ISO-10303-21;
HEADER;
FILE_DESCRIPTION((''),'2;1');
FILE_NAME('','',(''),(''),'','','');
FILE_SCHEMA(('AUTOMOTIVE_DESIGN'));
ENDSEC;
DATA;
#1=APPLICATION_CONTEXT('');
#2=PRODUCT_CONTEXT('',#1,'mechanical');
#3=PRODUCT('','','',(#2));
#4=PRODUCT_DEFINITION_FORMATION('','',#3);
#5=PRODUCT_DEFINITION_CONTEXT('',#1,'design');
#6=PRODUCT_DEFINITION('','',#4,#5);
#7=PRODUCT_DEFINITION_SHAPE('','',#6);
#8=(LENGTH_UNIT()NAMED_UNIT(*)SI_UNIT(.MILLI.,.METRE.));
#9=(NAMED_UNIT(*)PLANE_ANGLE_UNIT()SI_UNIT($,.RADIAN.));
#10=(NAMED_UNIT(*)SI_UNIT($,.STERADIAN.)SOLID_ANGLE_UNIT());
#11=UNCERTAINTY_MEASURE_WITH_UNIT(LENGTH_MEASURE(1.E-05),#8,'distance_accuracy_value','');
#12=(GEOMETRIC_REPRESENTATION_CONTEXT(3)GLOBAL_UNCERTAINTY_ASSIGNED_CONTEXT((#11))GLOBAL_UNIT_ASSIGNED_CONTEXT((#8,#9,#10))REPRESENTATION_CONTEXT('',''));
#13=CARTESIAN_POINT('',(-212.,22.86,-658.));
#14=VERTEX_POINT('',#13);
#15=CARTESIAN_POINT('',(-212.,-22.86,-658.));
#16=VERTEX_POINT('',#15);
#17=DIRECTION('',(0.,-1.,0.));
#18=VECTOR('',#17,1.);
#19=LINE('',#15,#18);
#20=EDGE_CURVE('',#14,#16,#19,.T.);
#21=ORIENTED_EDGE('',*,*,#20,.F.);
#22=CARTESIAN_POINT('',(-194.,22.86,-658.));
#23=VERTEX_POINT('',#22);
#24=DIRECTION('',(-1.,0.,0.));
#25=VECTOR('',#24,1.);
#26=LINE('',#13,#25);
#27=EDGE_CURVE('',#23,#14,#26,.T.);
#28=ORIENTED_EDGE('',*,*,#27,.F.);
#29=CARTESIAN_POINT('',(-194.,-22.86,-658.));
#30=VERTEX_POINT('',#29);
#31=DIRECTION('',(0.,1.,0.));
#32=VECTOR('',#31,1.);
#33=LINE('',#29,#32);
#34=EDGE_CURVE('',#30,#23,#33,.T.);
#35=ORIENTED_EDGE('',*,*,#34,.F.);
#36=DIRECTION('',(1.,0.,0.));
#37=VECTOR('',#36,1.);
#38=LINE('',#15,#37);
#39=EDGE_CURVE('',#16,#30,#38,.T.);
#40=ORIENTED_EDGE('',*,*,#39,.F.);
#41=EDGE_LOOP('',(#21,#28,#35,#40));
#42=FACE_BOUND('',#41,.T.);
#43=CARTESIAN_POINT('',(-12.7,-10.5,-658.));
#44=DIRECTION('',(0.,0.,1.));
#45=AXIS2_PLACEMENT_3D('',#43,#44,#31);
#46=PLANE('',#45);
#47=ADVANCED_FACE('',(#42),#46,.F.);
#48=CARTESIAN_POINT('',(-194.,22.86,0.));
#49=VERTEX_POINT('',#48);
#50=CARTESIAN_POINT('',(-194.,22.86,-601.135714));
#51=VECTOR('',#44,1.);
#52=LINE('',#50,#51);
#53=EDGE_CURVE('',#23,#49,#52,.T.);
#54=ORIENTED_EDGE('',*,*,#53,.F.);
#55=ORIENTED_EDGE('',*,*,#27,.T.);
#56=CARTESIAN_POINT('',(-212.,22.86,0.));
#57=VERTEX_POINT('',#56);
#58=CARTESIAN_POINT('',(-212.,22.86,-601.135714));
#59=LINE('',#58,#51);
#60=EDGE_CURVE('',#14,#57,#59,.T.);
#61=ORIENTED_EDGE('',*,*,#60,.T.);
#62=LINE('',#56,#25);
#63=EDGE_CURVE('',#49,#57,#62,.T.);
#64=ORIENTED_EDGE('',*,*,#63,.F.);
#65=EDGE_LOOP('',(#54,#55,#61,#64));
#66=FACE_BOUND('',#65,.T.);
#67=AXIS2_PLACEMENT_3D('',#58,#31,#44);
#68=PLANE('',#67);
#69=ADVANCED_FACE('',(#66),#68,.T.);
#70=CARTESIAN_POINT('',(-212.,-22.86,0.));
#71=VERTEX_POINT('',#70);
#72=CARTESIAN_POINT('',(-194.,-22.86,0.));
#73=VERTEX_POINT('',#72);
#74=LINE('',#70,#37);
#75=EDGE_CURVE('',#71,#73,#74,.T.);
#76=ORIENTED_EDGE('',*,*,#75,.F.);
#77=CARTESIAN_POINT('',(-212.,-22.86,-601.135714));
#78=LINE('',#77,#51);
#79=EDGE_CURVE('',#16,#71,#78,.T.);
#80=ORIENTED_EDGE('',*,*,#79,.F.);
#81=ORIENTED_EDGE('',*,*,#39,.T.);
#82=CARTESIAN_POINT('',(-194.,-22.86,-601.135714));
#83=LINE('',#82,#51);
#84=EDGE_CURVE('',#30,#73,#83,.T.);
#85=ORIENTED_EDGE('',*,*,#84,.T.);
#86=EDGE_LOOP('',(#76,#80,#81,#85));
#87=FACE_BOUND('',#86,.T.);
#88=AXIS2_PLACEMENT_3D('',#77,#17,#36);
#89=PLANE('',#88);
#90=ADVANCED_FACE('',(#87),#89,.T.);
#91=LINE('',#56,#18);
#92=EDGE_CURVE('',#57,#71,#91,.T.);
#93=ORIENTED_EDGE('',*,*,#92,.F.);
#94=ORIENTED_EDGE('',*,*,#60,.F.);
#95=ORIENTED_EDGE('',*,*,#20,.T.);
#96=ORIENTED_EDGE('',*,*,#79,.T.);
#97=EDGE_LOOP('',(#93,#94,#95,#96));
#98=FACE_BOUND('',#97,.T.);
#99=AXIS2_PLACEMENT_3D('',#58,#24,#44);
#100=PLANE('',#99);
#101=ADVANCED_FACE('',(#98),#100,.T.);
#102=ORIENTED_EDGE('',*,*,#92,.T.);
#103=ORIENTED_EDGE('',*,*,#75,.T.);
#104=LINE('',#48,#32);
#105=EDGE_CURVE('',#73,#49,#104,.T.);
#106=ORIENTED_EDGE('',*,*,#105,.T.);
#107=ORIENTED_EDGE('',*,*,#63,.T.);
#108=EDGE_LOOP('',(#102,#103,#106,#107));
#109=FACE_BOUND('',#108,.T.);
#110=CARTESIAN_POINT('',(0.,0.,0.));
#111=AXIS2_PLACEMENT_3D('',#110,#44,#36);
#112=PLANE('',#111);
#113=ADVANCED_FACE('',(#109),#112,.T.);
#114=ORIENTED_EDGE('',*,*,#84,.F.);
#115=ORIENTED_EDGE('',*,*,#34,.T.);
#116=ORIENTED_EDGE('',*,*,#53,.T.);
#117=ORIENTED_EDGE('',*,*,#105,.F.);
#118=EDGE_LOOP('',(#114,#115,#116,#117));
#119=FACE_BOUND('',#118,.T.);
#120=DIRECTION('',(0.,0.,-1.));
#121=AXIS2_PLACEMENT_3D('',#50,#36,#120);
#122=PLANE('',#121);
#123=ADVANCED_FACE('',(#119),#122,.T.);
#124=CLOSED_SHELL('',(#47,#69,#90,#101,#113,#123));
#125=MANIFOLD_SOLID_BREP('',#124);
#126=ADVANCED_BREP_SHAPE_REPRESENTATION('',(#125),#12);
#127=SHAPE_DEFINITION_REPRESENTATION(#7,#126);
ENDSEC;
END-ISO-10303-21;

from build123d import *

# Parameters (mm, degrees)
SKETCH1_W           = 18
SKETCH1_H           = 45.72
BOSS_EXTRUDE1_DEPTH = 552
SKETCH2_W           = 18
SKETCH2_H           = 45.72
BOSS_EXTRUDE2_DEPTH = 106


with BuildPart() as part:
    # Sketch1 → Boss-Extrude1 (new body)
    with BuildSketch(Plane.XY):
        with Locations((-203, 0)):
            Rectangle(SKETCH1_W, SKETCH1_H)
    extrude(amount=-BOSS_EXTRUDE1_DEPTH)

    # Sketch2 → Boss-Extrude2 (add)
    with BuildSketch(Plane(origin=(0, 0, -552), x_dir=(-1, 0, 0), z_dir=(0, 0, -1))):
        with Locations((203, 0)):
            Rectangle(SKETCH2_W, SKETCH2_H)
    extrude(amount=BOSS_EXTRUDE2_DEPTH)


solid = part.part
